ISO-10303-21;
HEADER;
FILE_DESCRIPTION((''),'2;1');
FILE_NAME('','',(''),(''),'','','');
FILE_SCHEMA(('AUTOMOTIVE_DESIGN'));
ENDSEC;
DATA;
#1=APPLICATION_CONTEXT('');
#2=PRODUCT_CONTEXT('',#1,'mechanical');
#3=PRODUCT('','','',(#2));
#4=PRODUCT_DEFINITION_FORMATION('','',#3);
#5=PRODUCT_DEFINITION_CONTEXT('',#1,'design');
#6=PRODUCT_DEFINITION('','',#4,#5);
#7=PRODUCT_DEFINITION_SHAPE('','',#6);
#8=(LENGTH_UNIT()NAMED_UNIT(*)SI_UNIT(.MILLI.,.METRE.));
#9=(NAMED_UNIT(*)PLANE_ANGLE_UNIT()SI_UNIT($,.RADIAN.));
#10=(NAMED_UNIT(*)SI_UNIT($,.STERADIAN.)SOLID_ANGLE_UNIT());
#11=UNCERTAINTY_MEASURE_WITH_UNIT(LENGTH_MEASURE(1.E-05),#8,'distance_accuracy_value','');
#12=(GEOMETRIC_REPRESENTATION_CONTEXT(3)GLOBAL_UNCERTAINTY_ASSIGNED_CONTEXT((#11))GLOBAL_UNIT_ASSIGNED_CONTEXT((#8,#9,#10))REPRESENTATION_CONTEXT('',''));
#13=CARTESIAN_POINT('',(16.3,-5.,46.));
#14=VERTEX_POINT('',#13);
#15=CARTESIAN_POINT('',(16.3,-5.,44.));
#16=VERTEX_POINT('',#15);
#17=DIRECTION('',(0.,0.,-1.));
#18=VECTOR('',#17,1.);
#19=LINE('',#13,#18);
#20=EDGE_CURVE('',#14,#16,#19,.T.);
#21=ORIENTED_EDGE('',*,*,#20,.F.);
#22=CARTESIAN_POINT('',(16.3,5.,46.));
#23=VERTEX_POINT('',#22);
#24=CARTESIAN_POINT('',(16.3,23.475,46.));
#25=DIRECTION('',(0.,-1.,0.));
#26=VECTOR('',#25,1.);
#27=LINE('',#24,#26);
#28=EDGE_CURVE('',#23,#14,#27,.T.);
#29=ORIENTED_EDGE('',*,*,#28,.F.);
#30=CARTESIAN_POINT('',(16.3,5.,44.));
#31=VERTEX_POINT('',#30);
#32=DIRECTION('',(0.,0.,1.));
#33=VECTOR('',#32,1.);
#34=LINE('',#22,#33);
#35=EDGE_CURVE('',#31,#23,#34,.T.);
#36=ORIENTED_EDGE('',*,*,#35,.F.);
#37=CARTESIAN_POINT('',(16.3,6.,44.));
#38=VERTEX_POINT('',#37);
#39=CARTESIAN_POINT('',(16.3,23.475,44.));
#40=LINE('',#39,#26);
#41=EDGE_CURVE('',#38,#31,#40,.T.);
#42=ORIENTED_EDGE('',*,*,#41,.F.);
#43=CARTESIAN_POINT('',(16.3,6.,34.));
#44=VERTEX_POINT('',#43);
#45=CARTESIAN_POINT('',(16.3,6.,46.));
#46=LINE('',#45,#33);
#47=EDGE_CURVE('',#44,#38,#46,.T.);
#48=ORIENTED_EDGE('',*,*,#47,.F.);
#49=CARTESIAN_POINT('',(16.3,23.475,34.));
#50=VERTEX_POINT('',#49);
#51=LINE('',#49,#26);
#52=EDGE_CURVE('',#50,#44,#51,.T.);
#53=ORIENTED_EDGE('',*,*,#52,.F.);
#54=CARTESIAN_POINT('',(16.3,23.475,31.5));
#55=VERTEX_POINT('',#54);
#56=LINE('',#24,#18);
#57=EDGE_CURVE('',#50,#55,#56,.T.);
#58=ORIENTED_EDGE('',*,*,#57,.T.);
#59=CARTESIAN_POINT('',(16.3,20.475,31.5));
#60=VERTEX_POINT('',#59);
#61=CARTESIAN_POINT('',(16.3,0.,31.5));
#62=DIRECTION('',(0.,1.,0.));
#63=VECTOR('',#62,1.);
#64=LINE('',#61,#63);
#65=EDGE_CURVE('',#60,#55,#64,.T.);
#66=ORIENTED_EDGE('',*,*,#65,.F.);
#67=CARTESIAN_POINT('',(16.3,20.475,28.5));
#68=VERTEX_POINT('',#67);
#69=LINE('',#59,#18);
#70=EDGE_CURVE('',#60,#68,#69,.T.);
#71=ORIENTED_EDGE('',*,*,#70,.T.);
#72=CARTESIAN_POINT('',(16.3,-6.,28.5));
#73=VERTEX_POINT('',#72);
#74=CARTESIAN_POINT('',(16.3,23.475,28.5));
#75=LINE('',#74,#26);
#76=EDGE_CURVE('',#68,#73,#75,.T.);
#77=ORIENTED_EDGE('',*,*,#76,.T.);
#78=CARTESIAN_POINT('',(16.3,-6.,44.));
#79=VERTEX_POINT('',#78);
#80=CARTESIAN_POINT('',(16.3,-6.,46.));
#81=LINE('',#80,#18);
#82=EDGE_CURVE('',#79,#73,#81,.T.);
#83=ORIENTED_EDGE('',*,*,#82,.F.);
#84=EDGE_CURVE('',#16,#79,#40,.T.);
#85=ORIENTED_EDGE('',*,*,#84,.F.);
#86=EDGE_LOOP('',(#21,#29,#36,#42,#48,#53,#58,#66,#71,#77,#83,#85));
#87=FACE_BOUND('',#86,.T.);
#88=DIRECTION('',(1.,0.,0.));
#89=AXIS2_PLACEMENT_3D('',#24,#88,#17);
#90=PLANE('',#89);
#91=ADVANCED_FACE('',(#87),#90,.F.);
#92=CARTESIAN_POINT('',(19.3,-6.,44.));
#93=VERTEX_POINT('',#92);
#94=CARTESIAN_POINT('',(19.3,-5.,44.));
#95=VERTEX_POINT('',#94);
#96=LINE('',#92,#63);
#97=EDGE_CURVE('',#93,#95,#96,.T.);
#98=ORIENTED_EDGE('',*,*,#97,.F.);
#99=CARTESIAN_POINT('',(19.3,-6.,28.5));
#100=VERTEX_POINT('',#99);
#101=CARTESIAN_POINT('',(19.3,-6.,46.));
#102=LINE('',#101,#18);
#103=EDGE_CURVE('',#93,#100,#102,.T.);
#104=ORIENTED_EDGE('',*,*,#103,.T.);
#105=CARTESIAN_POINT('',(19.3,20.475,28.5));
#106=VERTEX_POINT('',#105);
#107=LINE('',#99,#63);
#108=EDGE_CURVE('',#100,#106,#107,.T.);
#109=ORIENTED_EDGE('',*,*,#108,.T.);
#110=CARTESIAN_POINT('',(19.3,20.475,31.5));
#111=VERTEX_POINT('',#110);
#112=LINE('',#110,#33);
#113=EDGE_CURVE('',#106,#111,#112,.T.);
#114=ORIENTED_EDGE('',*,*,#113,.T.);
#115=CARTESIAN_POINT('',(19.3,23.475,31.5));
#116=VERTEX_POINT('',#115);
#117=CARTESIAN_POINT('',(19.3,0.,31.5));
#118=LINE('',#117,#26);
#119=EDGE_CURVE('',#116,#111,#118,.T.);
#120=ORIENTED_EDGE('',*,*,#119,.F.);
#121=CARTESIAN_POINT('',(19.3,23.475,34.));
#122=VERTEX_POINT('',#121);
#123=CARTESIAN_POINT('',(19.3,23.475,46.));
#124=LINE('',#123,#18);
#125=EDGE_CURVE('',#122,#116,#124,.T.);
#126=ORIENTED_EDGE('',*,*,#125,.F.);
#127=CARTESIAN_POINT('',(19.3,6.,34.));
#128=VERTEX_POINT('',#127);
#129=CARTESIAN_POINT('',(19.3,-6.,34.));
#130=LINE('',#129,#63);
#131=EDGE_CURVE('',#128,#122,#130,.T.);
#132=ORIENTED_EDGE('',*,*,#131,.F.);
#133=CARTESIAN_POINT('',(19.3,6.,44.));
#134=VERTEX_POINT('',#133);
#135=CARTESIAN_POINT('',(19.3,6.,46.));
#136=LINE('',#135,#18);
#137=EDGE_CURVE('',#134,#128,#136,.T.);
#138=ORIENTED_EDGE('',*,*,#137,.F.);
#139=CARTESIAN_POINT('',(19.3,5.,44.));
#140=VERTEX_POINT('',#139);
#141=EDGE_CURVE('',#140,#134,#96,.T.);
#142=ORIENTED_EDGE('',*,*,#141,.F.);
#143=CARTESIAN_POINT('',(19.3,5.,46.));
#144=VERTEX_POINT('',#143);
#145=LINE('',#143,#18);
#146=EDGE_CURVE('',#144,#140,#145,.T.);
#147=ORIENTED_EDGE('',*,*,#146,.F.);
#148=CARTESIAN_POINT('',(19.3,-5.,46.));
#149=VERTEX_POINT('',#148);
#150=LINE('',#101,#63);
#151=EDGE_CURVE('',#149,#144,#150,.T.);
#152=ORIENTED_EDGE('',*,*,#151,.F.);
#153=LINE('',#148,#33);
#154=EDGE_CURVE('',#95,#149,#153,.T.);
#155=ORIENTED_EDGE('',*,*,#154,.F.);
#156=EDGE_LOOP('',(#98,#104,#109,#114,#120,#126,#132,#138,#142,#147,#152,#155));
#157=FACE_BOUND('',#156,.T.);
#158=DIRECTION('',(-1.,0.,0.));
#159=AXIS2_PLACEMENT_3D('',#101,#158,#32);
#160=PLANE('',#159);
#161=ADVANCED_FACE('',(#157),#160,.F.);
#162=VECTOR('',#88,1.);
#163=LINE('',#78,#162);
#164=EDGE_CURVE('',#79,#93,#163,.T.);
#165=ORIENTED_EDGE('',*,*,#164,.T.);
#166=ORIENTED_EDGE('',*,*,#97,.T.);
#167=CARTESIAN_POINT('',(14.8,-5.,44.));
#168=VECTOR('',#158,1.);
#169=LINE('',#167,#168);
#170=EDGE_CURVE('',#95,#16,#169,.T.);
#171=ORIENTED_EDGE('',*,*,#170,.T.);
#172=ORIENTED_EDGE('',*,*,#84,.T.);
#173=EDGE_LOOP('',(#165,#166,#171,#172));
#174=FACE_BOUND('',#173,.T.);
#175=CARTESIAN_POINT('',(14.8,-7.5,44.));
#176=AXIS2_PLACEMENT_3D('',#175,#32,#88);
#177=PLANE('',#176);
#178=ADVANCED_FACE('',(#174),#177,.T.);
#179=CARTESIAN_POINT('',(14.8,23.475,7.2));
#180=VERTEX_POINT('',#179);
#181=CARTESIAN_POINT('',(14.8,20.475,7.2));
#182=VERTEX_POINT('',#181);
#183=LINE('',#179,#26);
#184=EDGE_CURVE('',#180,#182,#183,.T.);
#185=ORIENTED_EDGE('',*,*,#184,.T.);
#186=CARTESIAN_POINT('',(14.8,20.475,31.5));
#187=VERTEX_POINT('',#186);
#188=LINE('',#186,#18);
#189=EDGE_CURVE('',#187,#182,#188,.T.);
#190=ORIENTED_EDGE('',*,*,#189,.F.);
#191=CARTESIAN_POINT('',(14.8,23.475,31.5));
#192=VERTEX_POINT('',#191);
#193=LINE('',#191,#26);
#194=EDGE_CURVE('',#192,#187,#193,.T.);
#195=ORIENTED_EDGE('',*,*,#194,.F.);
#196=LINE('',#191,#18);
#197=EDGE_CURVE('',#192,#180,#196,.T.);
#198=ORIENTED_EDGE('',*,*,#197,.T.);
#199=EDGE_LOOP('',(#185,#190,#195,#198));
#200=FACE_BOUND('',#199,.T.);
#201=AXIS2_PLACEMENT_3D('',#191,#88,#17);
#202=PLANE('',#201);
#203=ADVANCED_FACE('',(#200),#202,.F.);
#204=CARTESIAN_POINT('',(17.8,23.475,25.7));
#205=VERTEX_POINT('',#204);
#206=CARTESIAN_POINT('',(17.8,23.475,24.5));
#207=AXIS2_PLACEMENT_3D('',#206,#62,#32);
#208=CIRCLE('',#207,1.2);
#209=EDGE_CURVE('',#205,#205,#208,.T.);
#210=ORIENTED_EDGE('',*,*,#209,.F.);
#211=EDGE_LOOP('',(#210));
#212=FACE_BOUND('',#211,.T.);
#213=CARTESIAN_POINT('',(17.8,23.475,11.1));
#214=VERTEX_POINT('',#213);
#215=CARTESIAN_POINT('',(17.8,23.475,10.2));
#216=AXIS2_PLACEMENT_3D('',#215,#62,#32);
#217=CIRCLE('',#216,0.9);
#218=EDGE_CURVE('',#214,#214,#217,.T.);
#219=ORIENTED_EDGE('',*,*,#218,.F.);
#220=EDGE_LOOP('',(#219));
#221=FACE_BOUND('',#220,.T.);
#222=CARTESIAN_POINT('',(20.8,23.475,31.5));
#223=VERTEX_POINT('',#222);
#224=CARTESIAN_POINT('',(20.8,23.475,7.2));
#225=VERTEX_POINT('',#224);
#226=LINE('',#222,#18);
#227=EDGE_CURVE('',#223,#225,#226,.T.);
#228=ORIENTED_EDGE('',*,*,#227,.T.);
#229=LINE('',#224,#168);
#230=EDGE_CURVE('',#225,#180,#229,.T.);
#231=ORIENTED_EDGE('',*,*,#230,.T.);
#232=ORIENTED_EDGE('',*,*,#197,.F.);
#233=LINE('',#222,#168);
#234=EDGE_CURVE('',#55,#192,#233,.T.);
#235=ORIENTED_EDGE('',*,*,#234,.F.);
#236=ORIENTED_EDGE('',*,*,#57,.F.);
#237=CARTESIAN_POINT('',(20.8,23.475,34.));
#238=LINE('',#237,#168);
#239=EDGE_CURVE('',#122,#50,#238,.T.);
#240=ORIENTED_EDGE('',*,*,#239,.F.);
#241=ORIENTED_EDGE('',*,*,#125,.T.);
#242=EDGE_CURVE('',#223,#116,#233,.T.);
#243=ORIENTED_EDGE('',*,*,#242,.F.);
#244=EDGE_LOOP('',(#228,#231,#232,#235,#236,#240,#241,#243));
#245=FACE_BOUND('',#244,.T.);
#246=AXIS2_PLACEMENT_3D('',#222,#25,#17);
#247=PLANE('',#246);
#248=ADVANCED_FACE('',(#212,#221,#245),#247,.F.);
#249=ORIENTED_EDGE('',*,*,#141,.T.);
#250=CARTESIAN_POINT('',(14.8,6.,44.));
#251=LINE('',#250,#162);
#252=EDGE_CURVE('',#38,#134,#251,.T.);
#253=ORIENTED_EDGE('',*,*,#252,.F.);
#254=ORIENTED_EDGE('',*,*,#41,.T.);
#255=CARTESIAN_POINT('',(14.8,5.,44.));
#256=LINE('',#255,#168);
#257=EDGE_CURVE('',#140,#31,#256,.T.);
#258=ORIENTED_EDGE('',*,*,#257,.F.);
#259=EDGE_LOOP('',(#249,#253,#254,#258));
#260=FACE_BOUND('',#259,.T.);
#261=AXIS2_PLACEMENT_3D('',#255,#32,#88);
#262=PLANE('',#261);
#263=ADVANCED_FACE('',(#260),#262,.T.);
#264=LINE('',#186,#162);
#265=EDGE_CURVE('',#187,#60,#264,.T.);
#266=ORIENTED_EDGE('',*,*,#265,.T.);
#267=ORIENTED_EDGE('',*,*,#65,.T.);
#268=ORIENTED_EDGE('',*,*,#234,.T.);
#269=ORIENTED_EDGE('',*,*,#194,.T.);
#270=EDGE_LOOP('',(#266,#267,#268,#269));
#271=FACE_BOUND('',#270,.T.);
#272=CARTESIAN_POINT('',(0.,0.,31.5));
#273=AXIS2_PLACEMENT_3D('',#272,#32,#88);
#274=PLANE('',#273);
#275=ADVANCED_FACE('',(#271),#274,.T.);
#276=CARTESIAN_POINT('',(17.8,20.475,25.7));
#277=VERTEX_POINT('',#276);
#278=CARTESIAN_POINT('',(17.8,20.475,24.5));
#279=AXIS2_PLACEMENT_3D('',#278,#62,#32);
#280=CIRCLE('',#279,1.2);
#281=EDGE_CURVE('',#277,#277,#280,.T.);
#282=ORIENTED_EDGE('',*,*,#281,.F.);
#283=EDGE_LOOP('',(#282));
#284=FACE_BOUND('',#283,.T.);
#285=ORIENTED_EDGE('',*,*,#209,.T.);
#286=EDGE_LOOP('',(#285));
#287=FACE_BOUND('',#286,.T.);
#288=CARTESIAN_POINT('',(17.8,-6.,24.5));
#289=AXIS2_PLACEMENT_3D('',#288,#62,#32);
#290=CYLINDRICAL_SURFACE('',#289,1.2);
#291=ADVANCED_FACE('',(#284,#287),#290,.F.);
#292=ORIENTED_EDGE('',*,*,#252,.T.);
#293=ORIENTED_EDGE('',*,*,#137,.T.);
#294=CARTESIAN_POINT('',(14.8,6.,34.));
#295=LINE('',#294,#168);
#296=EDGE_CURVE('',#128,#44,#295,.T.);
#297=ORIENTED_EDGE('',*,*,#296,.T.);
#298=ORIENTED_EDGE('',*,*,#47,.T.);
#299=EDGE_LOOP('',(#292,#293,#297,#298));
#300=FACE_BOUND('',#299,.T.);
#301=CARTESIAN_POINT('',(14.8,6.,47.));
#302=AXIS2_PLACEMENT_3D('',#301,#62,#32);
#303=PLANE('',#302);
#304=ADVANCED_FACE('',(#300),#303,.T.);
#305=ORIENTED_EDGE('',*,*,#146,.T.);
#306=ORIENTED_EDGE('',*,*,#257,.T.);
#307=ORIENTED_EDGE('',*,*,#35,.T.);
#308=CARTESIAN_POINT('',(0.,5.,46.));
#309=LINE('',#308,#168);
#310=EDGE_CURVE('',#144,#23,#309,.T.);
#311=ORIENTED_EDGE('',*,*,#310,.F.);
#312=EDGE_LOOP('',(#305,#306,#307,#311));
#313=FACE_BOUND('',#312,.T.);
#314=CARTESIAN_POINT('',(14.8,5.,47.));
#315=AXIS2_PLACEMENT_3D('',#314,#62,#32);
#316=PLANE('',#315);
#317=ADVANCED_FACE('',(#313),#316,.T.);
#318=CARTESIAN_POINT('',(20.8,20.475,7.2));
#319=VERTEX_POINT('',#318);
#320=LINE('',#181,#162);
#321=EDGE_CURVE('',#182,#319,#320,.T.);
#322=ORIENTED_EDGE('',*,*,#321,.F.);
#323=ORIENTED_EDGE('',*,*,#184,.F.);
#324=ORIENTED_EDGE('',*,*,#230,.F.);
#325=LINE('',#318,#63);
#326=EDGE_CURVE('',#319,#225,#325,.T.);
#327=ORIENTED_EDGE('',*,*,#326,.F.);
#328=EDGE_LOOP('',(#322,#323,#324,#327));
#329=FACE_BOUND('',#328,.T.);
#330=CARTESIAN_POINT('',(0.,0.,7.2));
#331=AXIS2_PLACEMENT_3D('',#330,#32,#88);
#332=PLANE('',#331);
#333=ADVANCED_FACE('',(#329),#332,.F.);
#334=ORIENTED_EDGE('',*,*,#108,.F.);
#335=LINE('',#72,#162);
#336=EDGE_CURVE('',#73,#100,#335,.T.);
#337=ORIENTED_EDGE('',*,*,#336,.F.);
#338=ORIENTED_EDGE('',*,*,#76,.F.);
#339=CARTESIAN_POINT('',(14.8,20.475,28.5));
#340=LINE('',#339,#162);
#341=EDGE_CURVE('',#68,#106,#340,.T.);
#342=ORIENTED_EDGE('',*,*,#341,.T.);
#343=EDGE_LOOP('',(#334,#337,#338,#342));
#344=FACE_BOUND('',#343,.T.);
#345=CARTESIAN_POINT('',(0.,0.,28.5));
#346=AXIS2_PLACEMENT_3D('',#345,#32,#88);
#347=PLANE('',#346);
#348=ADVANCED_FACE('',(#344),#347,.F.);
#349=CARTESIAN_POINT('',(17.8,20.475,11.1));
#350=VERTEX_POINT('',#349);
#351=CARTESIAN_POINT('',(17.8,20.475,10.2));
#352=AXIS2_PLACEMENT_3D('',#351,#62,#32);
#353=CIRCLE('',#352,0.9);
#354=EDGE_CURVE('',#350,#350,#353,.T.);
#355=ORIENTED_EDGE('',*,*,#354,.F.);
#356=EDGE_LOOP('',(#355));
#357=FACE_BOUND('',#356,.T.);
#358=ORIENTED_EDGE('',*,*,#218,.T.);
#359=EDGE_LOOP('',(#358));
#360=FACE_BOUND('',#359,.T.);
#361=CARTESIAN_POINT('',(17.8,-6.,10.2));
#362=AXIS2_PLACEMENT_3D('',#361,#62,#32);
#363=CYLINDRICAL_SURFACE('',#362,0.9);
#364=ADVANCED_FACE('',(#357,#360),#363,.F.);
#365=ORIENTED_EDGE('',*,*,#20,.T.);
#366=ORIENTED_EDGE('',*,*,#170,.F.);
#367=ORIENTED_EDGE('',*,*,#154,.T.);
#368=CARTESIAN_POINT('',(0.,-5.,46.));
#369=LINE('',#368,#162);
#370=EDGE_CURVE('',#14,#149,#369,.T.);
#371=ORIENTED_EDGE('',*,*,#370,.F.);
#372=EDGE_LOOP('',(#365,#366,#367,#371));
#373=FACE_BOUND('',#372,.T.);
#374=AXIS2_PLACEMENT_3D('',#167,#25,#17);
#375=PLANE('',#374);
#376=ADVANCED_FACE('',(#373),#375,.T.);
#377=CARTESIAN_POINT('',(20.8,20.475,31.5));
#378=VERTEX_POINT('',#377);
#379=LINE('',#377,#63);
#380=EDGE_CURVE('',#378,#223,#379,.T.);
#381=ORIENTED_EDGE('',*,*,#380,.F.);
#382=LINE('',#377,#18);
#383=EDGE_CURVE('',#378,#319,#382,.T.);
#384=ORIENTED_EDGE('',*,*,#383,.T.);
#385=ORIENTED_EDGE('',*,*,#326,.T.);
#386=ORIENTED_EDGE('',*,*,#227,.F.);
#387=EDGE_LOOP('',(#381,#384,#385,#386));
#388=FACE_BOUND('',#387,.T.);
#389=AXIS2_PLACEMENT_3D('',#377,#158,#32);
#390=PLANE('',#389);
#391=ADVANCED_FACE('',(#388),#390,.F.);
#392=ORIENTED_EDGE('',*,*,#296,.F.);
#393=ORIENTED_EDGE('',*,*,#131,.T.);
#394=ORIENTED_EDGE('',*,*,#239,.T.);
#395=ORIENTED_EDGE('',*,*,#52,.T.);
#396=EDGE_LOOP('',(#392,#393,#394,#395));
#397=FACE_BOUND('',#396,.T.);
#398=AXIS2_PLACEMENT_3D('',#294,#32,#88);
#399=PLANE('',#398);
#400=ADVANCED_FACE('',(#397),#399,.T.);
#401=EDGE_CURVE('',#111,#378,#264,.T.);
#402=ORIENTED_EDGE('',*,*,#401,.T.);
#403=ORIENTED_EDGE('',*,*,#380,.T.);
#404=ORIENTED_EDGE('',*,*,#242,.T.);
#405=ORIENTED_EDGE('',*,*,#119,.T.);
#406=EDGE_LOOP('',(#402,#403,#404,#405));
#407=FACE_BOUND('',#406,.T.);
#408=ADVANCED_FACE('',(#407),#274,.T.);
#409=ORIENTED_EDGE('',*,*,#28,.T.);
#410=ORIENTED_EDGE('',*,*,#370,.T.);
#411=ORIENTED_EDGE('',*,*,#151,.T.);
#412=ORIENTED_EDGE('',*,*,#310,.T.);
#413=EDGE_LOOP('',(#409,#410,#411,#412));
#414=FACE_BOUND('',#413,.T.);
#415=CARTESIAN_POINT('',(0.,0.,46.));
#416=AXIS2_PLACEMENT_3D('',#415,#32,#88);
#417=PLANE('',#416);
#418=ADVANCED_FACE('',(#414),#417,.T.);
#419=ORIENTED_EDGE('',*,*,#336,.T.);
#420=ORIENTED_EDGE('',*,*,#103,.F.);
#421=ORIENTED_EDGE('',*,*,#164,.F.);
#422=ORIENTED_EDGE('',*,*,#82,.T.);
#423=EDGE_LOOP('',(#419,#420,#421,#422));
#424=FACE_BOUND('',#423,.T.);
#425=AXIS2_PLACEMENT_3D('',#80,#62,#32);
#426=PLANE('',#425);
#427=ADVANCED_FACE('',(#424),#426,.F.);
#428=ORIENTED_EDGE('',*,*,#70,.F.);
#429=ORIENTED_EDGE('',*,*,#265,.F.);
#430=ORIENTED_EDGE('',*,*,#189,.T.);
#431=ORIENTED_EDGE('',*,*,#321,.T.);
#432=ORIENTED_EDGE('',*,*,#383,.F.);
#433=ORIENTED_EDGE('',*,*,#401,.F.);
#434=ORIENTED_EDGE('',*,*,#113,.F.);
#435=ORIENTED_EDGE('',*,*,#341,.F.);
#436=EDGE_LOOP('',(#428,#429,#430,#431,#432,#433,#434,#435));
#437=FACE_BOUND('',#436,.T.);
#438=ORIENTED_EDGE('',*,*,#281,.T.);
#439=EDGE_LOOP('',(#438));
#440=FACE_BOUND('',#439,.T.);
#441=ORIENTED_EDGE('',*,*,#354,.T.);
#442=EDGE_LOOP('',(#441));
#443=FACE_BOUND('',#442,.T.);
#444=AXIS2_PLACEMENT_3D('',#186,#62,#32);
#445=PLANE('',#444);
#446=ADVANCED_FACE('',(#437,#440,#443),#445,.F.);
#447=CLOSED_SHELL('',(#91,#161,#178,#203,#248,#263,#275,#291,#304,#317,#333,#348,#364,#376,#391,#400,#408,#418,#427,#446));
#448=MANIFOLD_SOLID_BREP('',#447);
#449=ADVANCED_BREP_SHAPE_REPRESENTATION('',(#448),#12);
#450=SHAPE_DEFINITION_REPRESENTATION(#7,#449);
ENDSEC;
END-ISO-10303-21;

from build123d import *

# Parameters (mm, degrees)
BOSS_EXTRUDE1_START     = 7.2
SKETCH1_W               = 6
SKETCH1_H               = 3
BOSS_EXTRUDE1_DEPTH     = 24.3
BOSS_EXTRUDE2_START     = 28.5
SKETCH2_W               = 3
SKETCH2_H               = 29.475
BOSS_EXTRUDE2_DEPTH     = 17.5
CUT_EXTRUDE1_DEPTH      = 56.675089807
CUT_EXTRUDE1_DEPTH_BACK = 56.675089807
SKETCH3_R               = 1.2
SKETCH3_R_2             = 0.9
CUT_EXTRUDE2_DEPTH      = 56.675089807
CUT_EXTRUDE2_DEPTH_BACK = 56.675089807
SKETCH4_W               = 13
SKETCH4_H               = 18.475
CUT_EXTRUDE3_DEPTH      = 56.675089807
CUT_EXTRUDE3_DEPTH_BACK = 56.675089807
SKETCH5_W               = 3
SKETCH5_H               = 2.5


with BuildPart() as part:
    # Sketch1 → Boss-Extrude1 (new body)
    with BuildSketch(Plane.XY.offset(BOSS_EXTRUDE1_START)):
        with Locations((17.8, 21.975)):
            Rectangle(SKETCH1_W, SKETCH1_H)
    extrude(amount=BOSS_EXTRUDE1_DEPTH)

    # Sketch2 → Boss-Extrude2 (add)
    with BuildSketch(Plane.XY.offset(BOSS_EXTRUDE2_START)):
        with Locations((17.8, 8.7375)):
            Rectangle(SKETCH2_W, SKETCH2_H)
    extrude(amount=BOSS_EXTRUDE2_DEPTH)

    # Sketch3 → Cut-Extrude1 (cut, two sides: drawn at the far end of the back side and taken through both)
    with BuildSketch(Plane(origin=(0, 0, 0), x_dir=(1, 0, 0), z_dir=(0, 1, 0)).offset(-CUT_EXTRUDE1_DEPTH_BACK)):
        with Locations(Location((17.8, -24.5, 0), (0, 0, 270))):
            Circle(SKETCH3_R)
        with Locations(Location((17.8, -10.2, 0), (0, 0, 270))):
            Circle(SKETCH3_R_2)
    extrude(amount=CUT_EXTRUDE1_DEPTH + CUT_EXTRUDE1_DEPTH_BACK, mode=Mode.SUBTRACT)

    # Sketch4 → Cut-Extrude2 (cut, two sides: drawn at the far end of the back side and taken through both)
    with BuildSketch(Plane(origin=(0, 0, 0), x_dir=(0, 0, -1), z_dir=(1, 0, 0)).offset(-CUT_EXTRUDE2_DEPTH_BACK)):
        with Locations((-40.5, 15.2375)):
            Rectangle(SKETCH4_W, SKETCH4_H)
    extrude(amount=CUT_EXTRUDE2_DEPTH + CUT_EXTRUDE2_DEPTH_BACK, mode=Mode.SUBTRACT)

    # Sketch5 → Cut-Extrude3 (cut, two sides: drawn at the far end of the back side and taken through both)
    with BuildSketch(Plane(origin=(0, 0, 0), x_dir=(0, 0, -1), z_dir=(1, 0, 0)).offset(-CUT_EXTRUDE3_DEPTH_BACK)):
        with Locations((-45.5, -6.25)):
            Rectangle(SKETCH5_W, SKETCH5_H)
        with Locations((-45.5, 6.25)):
            Rectangle(SKETCH5_W, SKETCH5_H)
    extrude(amount=CUT_EXTRUDE3_DEPTH + CUT_EXTRUDE3_DEPTH_BACK, mode=Mode.SUBTRACT)


solid = part.part
